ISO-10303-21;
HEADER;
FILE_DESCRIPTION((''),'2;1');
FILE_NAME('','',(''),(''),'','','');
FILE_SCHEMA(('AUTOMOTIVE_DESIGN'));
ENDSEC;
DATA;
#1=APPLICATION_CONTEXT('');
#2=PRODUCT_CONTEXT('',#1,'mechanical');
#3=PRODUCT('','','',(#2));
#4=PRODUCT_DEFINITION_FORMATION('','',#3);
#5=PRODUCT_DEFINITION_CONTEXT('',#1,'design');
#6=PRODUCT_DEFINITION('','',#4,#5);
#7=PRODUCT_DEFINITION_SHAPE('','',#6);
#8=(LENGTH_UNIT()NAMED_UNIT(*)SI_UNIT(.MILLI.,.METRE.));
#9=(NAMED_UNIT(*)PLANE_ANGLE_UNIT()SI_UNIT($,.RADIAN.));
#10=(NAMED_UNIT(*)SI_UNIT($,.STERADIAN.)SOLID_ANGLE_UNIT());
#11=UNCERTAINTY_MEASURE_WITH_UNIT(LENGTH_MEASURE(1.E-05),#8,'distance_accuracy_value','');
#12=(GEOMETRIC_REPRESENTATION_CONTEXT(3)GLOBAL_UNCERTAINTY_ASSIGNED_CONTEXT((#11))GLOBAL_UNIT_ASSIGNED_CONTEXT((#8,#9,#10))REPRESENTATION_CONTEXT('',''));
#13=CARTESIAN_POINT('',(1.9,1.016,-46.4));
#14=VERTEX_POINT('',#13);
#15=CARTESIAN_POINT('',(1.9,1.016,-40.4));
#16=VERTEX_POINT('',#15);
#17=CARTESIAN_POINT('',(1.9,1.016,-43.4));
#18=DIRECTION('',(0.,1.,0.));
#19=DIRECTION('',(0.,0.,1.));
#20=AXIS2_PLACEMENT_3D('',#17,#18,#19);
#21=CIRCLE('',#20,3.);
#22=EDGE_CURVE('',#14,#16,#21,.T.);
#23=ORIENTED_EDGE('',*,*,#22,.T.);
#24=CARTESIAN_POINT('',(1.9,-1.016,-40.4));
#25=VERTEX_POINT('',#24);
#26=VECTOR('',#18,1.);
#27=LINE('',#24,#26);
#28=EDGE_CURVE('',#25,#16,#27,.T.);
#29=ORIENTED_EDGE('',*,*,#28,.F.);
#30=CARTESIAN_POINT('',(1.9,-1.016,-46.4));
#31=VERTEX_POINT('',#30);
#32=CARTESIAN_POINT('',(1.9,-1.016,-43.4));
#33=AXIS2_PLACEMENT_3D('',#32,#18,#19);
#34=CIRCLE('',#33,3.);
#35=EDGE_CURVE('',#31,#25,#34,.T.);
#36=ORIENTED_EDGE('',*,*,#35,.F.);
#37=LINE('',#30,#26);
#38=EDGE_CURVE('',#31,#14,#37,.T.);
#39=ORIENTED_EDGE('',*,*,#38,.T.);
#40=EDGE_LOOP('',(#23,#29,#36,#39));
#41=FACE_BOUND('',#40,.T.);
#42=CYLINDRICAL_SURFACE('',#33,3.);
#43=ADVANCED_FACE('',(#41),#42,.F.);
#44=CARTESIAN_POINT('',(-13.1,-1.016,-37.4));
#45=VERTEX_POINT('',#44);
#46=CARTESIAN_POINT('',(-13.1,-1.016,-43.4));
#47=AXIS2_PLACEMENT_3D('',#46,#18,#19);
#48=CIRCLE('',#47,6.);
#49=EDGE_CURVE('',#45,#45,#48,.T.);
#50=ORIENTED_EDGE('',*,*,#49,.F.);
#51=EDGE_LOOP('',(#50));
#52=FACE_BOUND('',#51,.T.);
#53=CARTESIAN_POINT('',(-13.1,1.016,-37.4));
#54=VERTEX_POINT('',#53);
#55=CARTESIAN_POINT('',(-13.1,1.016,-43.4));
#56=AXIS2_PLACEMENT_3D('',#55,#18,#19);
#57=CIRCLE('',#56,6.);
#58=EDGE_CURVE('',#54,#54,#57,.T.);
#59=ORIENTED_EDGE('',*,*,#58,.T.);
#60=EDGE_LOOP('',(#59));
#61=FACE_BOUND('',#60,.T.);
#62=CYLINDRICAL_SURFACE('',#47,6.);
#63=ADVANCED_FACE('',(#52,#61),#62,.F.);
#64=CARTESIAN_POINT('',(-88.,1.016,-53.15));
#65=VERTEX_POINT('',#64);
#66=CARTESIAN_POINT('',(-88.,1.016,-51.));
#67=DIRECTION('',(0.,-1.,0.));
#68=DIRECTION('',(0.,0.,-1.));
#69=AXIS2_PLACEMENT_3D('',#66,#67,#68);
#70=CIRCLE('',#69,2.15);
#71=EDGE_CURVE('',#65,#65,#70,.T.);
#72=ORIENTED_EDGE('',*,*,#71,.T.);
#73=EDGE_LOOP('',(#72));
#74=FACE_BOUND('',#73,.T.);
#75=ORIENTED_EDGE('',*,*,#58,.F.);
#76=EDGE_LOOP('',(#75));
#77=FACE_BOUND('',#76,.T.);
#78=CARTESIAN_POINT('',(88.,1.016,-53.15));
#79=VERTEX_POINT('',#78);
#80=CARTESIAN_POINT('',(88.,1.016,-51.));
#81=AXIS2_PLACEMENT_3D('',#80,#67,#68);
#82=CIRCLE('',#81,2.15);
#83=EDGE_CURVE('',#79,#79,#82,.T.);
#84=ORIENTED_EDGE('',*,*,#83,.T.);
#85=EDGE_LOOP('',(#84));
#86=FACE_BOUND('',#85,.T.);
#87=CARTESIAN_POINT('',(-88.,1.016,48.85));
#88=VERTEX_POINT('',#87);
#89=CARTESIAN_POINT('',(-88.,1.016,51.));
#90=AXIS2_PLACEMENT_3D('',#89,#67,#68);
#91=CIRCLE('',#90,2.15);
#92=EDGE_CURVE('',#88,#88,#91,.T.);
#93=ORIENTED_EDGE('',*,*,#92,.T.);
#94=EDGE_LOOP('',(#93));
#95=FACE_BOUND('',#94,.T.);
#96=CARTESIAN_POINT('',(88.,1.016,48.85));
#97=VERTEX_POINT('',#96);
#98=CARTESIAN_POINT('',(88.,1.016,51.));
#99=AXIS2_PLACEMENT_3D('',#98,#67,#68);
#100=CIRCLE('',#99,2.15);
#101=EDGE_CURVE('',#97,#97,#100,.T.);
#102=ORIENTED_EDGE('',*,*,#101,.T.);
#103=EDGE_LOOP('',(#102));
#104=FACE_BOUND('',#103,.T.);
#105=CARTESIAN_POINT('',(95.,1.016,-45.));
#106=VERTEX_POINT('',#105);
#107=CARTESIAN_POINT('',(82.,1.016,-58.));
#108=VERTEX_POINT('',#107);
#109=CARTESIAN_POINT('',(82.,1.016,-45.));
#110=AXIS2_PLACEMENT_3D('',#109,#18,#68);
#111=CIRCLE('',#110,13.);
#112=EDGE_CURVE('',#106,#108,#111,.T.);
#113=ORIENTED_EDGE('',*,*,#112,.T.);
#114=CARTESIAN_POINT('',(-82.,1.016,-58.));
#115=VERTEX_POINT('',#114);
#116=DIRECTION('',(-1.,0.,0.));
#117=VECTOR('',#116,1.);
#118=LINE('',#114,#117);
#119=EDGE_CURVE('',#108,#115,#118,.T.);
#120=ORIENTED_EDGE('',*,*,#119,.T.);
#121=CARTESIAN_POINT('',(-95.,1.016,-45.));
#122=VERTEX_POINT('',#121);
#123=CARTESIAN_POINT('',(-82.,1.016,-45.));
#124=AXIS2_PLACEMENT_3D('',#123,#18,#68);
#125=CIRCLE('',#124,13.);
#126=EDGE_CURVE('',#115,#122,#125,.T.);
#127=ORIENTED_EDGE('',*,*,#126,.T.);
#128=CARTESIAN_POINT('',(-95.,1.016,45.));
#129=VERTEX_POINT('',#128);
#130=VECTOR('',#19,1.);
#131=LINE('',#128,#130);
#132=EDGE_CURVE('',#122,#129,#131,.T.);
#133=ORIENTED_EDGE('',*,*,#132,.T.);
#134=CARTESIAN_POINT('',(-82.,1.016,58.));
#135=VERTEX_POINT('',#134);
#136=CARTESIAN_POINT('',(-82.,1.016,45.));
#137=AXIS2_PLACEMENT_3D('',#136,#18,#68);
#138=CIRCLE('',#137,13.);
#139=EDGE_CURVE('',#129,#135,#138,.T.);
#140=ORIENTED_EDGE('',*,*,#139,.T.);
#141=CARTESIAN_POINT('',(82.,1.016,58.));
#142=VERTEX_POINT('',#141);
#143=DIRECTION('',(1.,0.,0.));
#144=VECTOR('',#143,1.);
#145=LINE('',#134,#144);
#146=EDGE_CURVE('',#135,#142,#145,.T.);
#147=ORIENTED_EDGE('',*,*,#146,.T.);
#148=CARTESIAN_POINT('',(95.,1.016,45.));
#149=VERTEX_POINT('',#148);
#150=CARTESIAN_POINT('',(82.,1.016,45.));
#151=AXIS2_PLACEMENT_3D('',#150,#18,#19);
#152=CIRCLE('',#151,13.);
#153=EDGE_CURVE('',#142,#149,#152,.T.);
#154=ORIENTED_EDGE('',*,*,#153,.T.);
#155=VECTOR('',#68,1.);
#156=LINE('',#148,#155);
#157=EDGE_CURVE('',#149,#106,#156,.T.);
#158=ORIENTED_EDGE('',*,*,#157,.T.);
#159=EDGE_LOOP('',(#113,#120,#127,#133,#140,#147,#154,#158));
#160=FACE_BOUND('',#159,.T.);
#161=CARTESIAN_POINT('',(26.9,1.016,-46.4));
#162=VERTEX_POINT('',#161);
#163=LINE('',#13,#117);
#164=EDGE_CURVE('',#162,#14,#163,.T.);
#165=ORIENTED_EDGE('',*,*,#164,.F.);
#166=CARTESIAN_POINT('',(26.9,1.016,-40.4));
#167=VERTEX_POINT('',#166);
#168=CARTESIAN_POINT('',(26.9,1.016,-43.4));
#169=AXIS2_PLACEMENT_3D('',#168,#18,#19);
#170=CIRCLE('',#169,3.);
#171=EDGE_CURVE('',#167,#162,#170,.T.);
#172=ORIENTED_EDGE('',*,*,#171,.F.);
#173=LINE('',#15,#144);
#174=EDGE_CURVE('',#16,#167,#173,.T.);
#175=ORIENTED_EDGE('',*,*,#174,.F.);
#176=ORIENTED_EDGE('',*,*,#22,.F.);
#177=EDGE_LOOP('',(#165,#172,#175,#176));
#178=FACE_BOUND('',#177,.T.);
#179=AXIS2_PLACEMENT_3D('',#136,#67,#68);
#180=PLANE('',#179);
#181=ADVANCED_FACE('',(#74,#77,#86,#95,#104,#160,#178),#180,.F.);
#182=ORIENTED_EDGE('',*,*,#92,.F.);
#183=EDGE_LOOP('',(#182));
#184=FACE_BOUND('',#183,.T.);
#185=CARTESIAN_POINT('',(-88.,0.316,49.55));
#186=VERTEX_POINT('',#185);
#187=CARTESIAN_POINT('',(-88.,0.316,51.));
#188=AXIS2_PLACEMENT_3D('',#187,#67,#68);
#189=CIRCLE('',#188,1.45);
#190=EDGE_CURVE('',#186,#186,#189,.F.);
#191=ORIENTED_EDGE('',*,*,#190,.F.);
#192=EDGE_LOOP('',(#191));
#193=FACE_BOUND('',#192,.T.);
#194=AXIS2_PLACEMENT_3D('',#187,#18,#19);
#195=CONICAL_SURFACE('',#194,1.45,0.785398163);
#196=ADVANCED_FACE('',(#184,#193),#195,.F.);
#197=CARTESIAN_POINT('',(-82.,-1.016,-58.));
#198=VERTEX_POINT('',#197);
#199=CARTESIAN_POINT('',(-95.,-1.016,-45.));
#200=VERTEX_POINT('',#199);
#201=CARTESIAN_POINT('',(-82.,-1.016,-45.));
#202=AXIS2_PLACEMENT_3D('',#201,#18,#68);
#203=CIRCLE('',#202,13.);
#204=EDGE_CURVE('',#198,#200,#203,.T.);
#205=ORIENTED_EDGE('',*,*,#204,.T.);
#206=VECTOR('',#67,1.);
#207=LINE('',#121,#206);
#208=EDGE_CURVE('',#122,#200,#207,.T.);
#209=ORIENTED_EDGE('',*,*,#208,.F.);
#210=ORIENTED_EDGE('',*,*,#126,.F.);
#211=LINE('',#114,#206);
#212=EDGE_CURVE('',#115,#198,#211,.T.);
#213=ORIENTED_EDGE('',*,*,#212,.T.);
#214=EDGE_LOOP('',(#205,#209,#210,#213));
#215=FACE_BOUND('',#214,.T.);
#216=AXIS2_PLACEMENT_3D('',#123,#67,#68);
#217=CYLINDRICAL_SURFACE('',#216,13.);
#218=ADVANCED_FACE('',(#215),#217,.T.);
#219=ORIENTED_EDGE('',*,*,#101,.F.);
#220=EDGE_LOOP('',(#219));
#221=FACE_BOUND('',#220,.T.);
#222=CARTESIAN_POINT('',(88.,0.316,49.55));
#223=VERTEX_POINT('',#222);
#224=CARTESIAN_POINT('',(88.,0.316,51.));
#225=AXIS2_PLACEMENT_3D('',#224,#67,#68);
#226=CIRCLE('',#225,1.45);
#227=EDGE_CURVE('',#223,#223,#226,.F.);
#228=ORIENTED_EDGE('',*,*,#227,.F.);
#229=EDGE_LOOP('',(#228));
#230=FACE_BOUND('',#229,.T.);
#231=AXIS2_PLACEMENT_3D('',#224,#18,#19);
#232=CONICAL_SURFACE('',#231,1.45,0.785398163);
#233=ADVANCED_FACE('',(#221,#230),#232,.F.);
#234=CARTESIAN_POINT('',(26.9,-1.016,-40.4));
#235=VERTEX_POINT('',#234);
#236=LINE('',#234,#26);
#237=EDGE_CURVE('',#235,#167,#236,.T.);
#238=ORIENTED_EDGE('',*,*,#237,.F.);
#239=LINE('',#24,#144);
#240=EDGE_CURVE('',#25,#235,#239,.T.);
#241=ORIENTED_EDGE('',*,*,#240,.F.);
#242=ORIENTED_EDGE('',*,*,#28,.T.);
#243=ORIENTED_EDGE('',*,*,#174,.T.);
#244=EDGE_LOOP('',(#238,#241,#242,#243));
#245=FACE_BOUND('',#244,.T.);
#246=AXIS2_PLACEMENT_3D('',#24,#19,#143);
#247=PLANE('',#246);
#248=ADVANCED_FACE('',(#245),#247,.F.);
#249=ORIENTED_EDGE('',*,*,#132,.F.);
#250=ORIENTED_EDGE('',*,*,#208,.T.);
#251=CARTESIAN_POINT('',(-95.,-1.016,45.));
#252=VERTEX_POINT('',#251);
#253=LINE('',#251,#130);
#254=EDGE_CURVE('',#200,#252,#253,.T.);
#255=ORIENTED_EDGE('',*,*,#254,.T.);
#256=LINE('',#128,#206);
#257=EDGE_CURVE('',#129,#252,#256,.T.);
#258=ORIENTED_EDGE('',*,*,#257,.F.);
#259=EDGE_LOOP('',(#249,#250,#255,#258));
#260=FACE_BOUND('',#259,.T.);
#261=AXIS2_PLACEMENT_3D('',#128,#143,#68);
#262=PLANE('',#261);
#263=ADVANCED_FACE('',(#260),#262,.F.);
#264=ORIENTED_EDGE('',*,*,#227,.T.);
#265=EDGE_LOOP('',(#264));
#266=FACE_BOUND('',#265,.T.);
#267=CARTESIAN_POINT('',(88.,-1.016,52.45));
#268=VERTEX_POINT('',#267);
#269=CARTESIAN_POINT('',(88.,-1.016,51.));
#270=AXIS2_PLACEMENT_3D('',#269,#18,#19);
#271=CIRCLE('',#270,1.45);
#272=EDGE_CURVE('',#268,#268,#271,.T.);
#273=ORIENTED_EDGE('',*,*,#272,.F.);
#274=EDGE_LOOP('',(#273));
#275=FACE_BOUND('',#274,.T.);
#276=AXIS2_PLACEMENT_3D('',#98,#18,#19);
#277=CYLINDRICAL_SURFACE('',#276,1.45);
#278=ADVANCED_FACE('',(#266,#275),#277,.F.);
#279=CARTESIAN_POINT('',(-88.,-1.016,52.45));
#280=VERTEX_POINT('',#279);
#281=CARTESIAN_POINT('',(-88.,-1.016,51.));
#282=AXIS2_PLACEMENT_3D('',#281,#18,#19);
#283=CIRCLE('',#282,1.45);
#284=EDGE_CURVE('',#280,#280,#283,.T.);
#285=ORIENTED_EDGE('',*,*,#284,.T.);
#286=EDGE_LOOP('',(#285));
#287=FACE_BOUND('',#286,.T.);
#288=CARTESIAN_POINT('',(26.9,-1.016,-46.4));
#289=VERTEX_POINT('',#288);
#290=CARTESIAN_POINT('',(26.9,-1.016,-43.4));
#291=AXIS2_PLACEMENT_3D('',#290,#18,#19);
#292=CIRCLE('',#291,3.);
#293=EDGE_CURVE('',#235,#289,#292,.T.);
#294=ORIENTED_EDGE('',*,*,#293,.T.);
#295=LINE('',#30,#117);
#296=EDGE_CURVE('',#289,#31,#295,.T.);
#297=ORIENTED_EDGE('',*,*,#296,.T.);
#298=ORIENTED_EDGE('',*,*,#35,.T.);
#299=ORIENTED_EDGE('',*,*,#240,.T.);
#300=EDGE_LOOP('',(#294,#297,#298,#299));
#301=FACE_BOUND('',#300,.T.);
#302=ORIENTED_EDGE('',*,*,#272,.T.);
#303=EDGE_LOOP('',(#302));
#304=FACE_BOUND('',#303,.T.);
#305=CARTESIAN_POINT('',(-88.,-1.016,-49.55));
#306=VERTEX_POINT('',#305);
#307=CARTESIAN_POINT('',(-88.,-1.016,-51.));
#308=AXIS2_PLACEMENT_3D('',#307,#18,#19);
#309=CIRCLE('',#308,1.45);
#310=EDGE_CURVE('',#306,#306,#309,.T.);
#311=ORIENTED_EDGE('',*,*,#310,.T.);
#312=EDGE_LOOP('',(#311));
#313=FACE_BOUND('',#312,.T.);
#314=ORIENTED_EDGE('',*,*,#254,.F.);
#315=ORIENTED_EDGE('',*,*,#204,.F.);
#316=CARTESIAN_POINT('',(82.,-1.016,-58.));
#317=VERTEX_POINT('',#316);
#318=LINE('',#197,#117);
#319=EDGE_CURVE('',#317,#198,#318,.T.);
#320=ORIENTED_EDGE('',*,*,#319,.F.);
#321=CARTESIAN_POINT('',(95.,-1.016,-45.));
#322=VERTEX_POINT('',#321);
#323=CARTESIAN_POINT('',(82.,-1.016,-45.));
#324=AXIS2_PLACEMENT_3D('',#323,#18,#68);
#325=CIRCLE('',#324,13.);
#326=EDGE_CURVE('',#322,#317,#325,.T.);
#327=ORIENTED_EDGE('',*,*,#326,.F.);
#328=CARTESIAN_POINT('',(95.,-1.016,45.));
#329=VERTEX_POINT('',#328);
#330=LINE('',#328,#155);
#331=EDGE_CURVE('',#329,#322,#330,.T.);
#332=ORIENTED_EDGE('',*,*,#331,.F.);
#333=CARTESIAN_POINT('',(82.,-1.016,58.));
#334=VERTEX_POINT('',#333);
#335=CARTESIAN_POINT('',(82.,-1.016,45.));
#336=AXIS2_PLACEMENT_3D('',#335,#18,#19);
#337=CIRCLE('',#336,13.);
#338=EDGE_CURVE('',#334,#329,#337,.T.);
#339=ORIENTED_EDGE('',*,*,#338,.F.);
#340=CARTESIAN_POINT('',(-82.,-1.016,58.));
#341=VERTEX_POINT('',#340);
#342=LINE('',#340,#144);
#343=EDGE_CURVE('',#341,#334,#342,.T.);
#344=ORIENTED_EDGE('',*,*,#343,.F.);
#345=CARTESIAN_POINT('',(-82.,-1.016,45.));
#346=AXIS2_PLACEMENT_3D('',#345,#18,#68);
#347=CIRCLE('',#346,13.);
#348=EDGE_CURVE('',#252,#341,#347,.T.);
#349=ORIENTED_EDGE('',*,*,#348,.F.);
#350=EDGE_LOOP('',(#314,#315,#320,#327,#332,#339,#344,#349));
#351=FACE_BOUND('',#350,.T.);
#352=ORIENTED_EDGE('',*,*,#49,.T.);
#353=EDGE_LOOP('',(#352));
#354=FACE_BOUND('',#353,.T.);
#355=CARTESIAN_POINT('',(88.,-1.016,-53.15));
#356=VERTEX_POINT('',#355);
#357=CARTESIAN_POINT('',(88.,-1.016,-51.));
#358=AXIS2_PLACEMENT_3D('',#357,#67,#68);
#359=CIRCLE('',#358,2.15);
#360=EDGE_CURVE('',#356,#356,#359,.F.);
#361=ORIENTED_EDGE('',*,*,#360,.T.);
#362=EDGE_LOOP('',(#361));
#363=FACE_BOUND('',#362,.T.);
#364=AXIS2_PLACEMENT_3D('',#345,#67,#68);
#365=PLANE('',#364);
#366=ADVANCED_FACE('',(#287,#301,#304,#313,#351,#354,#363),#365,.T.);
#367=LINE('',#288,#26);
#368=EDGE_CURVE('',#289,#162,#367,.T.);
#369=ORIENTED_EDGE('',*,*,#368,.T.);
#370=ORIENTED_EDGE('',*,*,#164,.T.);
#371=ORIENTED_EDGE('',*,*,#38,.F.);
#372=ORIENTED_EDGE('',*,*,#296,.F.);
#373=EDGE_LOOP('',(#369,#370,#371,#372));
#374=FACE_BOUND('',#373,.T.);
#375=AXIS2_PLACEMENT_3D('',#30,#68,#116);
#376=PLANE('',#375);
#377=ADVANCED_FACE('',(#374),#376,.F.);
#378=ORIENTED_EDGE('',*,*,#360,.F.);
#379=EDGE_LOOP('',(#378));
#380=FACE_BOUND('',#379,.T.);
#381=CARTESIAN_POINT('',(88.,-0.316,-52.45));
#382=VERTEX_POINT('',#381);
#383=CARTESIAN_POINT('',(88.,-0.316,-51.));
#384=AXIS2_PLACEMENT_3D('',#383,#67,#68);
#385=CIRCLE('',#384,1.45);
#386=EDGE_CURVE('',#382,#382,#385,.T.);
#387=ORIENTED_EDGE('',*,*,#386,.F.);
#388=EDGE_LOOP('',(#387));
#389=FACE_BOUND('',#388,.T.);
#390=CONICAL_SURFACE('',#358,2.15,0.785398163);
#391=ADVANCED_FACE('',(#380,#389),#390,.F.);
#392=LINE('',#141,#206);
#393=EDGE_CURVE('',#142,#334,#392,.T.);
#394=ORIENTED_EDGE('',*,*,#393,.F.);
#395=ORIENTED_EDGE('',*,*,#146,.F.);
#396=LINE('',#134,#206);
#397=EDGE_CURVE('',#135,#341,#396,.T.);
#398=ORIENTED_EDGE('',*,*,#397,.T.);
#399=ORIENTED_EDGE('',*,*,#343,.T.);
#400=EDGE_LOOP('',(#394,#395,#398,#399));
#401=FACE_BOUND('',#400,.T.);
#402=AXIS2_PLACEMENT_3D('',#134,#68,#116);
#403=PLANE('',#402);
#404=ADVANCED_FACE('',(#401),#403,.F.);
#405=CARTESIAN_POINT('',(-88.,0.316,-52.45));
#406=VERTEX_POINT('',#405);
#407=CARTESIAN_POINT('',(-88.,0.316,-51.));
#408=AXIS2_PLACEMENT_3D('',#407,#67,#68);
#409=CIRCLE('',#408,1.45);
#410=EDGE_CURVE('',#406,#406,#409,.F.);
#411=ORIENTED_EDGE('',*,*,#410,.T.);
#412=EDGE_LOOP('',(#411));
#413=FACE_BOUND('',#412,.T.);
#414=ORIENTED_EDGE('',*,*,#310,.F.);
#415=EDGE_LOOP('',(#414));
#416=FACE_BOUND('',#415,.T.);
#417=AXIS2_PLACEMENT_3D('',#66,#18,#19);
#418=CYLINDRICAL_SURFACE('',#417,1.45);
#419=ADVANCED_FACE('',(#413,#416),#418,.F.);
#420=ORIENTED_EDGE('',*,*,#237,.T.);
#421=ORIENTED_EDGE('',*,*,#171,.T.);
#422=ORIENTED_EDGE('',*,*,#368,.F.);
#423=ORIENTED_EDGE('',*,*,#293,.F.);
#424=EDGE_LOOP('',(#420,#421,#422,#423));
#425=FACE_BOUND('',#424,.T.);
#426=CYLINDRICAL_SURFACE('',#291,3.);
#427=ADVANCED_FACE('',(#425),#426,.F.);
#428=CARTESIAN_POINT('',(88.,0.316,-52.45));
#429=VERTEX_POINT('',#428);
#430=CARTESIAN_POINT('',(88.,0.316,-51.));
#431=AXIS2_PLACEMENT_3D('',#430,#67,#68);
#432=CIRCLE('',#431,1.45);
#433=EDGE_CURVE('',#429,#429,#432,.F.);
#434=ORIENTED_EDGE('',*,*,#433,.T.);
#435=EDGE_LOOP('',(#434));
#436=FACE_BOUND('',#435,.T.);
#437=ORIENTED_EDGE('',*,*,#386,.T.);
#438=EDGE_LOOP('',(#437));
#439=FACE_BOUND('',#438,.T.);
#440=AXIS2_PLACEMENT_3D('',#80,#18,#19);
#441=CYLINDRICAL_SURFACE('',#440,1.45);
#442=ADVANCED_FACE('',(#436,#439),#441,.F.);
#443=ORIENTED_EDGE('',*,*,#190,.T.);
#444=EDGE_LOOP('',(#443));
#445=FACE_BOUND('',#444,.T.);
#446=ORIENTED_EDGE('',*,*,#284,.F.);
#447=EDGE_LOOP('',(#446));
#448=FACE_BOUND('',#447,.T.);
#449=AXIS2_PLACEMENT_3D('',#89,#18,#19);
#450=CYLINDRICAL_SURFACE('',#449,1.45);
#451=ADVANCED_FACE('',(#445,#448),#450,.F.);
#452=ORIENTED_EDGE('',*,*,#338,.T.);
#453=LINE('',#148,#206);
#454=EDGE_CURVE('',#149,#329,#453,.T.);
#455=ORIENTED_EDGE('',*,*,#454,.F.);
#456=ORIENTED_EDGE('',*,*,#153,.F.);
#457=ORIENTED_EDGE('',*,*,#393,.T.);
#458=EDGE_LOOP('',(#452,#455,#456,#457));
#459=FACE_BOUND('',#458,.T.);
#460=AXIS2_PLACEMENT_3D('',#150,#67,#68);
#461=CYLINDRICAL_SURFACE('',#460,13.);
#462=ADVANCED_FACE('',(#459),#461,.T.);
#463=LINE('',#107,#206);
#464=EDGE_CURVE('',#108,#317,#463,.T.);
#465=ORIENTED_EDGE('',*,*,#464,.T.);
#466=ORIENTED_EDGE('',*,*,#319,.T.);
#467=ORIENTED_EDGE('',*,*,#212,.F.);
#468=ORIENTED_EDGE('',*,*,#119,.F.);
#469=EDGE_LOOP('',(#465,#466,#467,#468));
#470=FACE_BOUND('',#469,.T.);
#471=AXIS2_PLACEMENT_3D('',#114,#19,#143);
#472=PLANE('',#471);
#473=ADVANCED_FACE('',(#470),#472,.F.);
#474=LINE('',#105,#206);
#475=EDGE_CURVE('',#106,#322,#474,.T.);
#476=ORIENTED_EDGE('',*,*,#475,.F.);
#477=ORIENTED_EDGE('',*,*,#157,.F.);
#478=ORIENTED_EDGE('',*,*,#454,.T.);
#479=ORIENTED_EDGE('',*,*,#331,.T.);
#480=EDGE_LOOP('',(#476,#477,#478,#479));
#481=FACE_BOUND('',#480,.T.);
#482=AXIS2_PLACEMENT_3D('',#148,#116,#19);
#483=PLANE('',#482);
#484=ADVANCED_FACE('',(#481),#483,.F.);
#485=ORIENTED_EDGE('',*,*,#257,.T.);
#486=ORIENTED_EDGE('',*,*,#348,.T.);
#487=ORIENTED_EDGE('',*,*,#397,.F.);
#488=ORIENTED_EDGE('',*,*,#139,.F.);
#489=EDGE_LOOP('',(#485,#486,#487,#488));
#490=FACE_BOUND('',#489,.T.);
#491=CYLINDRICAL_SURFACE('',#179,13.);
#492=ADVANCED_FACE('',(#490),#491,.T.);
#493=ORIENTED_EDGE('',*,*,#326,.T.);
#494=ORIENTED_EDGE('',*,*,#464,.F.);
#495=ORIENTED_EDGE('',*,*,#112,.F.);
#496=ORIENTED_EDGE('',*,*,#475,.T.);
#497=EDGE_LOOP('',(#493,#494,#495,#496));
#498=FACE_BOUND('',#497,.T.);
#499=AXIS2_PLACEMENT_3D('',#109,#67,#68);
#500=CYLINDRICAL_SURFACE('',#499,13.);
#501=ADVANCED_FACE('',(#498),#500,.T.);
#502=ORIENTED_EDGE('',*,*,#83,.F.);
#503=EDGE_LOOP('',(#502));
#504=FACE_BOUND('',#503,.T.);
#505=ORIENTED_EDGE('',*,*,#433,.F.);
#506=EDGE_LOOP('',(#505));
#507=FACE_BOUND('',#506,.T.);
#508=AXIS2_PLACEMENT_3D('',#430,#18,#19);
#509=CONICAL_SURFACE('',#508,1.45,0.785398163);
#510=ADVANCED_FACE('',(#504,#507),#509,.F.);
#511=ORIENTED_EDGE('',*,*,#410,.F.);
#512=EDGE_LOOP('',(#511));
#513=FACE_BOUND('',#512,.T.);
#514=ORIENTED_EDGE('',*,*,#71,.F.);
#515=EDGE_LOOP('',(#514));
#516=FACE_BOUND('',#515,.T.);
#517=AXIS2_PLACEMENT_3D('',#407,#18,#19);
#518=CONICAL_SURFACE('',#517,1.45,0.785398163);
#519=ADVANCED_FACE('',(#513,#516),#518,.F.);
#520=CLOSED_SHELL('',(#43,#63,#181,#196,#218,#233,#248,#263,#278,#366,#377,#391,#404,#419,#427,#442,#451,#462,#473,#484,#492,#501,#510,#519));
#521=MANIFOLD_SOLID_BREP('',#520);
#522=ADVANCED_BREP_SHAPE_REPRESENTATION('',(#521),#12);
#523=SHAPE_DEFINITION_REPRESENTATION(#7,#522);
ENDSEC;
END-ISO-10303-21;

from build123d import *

# Parameters (mm, degrees)
BOSS_EXTRUDE1_DEPTH        = 1.016
F_2_9_2_9_DIAMETER_HOLE1_D = 2.9
CHAMFER1_SIZE              = 0.7
SKETCH4_R                  = 6
CUT_EXTRUDE1_DEPTH         = 112.324431389
CUT_EXTRUDE2_DEPTH         = 112.324431389


with BuildPart() as part:
    # Sketch1 → Boss-Extrude1 (new, symmetric)
    with BuildSketch(Plane(origin=(0, 0, 0), x_dir=(1, 0, 0), z_dir=(0, 1, 0))):
        with BuildLine():
            Line((-82, -58), (82, -58))
            ThreePointArc((82, -58), (91.192388155, -54.192388155), (95, -45))
            Line((95, -45), (95, 45))
            ThreePointArc((95, 45), (91.192388155, 54.192388155), (82, 58))
            Line((82, 58), (-82, 58))
            ThreePointArc((-82, 58), (-91.192388155, 54.192388155), (-95, 45))
            Line((-95, 45), (-95, -45))
            ThreePointArc((-95, -45), (-91.192388155, -54.192388155), (-82, -58))
        make_face()
    extrude(amount=BOSS_EXTRUDE1_DEPTH, both=True)

    # Ø2.9 (2.9) Diameter Hole1 (through all)
    with Locations(Plane(origin=(0, 1.016, 0), x_dir=(1, 0, 0), z_dir=(0, 1, 0))):
        with Locations((-88, -51), (-88, 51), (88, -51), (88, 51)):
            Hole(F_2_9_2_9_DIAMETER_HOLE1_D / 2)

    # Chamfer1
    chamfer1_edges = [part.edges().sort_by_distance(p)[0] for p in [
        (89.45, 1.016, -51),
        (89.45, -1.016, -51),
        (89.45, 1.016, 51),
        (-86.55, 1.016, -51),
        (-86.55, 1.016, 51),
    ]]
    chamfer(chamfer1_edges, length=CHAMFER1_SIZE)

    # Sketch4 → Cut-Extrude1 (cut, through all)
    with BuildSketch(Plane(origin=(0, 1.016, 0), x_dir=(1, 0, 0), z_dir=(0, 1, 0))):
        with Locations(Location((-13.1, 43.4, 0), (0, 0, 270))):
            Circle(SKETCH4_R)
    extrude(amount=-CUT_EXTRUDE1_DEPTH, mode=Mode.SUBTRACT)

    # Sketch5 → Cut-Extrude2 (cut, through all)
    with BuildSketch(Plane(origin=(0, 1.016, 0), x_dir=(1, 0, 0), z_dir=(0, 1, 0))):
        with BuildLine():
            Line((1.9, 46.4), (26.9, 46.4))
            ThreePointArc((26.9, 46.4), (29.9, 43.4), (26.9, 40.4))
            Line((26.9, 40.4), (1.9, 40.4))
            ThreePointArc((1.9, 40.4), (-1.1, 43.4), (1.9, 46.4))
        make_face()
    extrude(amount=-CUT_EXTRUDE2_DEPTH, mode=Mode.SUBTRACT)


solid = part.part
